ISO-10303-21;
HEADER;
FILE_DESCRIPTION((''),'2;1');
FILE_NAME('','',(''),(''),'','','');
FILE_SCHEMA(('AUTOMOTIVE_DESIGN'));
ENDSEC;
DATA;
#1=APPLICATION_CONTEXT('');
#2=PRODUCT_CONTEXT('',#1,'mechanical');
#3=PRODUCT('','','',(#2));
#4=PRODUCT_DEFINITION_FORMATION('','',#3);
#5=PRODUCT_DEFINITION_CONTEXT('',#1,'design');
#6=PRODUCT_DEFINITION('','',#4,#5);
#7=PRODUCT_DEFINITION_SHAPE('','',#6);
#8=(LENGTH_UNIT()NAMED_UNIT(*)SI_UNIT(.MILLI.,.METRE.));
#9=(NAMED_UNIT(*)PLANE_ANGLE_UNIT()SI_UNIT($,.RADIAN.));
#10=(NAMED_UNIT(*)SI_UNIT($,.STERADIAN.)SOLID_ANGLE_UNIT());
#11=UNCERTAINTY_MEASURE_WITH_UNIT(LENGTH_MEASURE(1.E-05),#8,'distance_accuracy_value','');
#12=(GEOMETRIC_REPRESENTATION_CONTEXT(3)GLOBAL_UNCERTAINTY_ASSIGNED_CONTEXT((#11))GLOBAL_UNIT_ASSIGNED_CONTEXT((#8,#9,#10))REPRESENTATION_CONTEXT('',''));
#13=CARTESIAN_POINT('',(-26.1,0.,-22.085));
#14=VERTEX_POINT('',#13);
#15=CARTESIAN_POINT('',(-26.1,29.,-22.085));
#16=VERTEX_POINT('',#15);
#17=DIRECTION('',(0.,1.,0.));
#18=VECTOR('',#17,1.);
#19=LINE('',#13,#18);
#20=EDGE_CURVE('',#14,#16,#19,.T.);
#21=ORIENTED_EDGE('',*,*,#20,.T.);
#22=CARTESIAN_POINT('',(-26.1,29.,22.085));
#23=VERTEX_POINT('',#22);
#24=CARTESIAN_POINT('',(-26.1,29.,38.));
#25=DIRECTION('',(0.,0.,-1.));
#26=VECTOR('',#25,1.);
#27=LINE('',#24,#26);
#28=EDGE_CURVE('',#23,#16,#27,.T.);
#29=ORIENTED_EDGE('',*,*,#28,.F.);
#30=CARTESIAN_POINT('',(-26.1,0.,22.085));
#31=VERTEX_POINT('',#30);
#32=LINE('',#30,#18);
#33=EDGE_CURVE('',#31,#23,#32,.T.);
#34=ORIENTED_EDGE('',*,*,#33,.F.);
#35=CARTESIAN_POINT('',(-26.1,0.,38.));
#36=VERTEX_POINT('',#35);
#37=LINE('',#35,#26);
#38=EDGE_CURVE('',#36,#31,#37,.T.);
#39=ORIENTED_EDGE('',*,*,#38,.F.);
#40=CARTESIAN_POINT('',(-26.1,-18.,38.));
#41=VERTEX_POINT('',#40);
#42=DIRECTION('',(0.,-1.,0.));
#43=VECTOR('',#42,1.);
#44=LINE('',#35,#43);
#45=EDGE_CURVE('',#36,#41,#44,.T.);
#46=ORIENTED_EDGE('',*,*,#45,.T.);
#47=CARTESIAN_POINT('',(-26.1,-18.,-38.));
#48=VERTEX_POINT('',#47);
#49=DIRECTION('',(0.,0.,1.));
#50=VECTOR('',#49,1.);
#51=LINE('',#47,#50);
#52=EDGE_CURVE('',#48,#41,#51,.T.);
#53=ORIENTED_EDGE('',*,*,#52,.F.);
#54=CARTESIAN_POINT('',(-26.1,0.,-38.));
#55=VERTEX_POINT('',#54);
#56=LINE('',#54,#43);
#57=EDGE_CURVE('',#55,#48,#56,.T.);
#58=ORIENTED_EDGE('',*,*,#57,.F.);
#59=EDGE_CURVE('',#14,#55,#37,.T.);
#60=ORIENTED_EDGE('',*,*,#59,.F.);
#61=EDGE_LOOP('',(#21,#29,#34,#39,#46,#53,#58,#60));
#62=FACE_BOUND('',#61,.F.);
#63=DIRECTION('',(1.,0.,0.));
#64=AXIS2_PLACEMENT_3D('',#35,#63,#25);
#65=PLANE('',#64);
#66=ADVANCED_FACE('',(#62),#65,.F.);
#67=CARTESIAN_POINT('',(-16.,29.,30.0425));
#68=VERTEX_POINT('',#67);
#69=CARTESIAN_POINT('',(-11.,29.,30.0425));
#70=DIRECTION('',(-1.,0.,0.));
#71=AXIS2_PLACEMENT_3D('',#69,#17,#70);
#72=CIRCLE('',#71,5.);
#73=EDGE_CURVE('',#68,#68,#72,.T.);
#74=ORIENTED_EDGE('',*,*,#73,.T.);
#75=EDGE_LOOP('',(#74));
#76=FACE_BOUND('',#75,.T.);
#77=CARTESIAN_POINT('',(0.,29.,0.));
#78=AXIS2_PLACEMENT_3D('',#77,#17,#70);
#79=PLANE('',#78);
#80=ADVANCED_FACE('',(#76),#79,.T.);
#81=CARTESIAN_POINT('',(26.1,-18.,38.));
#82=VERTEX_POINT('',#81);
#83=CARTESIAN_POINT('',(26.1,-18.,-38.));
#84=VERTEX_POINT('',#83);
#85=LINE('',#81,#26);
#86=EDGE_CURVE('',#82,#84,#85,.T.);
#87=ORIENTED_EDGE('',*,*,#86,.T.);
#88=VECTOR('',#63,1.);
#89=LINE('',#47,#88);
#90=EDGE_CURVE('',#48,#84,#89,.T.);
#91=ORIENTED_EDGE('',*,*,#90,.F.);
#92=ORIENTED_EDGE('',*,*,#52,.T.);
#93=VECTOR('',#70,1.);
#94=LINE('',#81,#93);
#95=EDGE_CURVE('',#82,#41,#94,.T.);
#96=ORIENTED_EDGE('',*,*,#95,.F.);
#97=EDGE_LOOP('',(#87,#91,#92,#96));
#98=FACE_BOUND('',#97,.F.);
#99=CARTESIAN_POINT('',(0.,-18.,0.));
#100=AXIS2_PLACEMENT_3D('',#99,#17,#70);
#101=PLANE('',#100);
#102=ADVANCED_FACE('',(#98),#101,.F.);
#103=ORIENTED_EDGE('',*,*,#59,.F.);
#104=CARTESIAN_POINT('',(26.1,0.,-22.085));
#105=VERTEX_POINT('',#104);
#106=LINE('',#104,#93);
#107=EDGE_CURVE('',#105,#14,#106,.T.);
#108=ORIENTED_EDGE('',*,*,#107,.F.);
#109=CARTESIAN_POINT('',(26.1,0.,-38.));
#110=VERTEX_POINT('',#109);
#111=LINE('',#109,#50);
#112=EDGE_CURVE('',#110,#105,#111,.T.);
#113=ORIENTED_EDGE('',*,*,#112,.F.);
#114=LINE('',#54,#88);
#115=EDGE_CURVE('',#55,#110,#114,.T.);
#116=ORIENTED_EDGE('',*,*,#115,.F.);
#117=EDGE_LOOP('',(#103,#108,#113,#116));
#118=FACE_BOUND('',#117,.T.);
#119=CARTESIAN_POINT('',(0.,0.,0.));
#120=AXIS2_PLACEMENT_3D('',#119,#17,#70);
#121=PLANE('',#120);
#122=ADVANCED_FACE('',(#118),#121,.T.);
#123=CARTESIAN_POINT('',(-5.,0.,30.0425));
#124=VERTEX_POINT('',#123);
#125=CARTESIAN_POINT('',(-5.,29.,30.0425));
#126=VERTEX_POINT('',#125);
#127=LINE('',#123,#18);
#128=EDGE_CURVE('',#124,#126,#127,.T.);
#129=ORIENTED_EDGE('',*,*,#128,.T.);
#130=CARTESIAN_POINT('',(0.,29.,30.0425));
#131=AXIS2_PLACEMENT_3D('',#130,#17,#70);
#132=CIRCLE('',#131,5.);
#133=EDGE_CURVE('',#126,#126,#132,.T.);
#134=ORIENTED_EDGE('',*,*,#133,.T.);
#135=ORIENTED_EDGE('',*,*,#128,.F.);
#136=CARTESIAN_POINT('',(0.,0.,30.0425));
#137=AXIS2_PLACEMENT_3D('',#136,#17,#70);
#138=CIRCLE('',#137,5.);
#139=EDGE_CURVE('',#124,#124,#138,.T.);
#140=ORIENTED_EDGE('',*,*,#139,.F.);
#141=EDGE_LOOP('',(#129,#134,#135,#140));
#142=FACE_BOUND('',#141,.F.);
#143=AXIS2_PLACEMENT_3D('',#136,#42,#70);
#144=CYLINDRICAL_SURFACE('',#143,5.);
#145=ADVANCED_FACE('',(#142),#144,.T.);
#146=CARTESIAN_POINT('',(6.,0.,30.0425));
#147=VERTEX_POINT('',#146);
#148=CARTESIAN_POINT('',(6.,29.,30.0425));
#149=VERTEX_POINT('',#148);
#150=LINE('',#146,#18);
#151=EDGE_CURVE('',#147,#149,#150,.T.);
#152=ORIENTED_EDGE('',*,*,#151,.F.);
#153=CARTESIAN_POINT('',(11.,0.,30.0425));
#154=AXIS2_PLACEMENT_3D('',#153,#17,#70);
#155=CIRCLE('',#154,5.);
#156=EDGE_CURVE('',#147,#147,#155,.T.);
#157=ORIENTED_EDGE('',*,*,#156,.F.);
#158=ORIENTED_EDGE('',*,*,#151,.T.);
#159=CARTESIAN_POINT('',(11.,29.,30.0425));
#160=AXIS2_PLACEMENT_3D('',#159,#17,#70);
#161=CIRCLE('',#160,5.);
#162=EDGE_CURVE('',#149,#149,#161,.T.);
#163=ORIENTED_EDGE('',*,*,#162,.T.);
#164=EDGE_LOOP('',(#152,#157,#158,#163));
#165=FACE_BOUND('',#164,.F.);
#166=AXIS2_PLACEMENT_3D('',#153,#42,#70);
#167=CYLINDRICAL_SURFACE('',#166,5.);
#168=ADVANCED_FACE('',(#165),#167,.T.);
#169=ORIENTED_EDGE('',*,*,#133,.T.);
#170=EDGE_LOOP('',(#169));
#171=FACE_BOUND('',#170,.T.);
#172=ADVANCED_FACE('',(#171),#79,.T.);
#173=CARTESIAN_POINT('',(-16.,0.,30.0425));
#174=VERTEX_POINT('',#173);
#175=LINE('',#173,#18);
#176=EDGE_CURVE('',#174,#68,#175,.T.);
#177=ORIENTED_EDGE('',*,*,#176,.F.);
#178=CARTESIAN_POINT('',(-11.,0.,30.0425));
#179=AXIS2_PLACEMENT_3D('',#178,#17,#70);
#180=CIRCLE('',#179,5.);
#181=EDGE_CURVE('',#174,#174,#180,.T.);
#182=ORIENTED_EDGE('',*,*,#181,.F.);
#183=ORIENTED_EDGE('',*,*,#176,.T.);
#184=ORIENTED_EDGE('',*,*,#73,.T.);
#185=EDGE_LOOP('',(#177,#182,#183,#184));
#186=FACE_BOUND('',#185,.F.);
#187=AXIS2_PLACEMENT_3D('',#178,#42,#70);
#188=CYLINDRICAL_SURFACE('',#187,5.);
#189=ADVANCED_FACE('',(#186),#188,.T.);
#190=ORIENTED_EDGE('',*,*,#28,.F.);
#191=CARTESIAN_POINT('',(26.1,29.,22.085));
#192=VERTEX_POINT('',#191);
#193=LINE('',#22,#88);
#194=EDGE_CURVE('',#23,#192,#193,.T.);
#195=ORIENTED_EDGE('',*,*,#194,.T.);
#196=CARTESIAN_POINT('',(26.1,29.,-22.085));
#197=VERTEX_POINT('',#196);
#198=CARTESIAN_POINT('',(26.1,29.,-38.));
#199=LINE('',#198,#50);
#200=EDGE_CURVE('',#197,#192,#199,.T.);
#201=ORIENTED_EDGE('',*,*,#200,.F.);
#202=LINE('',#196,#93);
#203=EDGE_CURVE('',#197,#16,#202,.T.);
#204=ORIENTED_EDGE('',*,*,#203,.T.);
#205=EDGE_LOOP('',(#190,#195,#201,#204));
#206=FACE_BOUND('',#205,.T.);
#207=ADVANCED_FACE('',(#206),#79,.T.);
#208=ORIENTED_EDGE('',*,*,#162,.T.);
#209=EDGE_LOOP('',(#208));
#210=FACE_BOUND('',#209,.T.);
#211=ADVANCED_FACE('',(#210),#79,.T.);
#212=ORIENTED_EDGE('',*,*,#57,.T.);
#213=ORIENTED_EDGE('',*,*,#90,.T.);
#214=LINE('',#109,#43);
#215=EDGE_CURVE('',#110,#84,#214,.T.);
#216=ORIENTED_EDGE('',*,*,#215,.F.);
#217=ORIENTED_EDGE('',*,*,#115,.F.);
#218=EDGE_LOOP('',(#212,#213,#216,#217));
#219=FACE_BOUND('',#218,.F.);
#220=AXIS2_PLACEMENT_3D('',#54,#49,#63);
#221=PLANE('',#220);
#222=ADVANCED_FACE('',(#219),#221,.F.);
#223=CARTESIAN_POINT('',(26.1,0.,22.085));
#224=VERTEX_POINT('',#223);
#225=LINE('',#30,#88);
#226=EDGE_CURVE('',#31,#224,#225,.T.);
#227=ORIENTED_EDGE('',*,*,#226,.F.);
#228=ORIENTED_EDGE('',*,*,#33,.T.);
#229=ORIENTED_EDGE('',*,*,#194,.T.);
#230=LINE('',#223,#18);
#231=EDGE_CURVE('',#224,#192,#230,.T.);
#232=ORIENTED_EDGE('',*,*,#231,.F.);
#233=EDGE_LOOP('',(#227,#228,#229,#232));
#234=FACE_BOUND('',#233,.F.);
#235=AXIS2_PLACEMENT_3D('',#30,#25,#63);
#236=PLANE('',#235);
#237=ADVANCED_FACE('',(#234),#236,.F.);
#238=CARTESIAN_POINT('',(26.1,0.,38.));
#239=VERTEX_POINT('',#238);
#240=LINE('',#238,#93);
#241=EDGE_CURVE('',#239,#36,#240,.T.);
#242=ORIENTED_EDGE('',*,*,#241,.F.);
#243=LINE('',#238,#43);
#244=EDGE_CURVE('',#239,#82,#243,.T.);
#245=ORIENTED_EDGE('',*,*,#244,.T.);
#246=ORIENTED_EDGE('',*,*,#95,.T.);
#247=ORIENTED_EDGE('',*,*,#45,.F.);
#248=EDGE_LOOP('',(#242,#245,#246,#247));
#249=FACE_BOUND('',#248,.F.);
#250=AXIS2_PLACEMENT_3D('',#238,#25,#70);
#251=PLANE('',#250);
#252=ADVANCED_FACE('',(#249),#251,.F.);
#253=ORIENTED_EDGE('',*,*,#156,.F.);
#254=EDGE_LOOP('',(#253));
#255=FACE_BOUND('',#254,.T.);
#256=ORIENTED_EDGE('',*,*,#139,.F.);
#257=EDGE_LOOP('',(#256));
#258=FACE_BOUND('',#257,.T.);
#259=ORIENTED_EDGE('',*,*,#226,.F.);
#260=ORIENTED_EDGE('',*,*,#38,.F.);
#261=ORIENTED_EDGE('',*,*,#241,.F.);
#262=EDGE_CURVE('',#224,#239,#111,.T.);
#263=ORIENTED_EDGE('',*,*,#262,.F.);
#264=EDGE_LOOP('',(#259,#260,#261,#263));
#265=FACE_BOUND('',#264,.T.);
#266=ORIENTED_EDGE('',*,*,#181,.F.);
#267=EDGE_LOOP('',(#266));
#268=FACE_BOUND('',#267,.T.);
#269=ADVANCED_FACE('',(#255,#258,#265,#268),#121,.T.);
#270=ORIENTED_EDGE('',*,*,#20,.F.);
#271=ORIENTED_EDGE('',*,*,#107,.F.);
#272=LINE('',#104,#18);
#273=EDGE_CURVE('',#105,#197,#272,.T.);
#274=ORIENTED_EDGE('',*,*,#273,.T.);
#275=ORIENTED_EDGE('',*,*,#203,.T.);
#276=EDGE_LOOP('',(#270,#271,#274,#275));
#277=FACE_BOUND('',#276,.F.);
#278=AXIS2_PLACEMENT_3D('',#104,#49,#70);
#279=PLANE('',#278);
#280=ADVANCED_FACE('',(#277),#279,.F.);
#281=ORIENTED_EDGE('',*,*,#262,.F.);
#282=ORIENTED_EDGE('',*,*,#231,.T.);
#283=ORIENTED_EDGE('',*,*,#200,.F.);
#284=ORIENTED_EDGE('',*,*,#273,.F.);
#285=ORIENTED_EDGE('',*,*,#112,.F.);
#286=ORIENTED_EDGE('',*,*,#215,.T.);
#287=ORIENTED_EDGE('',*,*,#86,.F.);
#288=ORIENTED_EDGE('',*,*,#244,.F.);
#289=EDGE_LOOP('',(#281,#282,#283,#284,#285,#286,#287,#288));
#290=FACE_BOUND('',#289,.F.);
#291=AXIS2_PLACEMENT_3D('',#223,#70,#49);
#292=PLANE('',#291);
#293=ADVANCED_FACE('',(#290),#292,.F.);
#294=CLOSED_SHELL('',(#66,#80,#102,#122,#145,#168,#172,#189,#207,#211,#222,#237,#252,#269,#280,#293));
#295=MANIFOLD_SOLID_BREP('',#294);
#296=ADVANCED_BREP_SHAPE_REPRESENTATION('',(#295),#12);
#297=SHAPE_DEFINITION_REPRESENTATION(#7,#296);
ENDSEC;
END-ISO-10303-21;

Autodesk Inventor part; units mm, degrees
ref_plane "YZ Plane" through (0, 0, 0) normal (1, 0, 0) x (0, 1, 0)
ref_plane "XZ Plane" through (0, 0, 0) normal (0, 1, 0) x (-1, 0, 0)
ref_plane "XY Plane" through (0, 0, 0) normal (0, 0, 1) x (1, 0, 0)
sketch "Sketch2" plane through (0, 0, 0) normal (0, 1, 0) x (-1, 0, 0)
  line L0 (-26.1, 38) -> (26.1, 38)
  line L1 (26.1, 38) -> (26.1, -38)
  line L2 (26.1, -38) -> (-26.1, -38)
  line L3 (-26.1, -38) -> (-26.1, 38)
  line L4 (-26.1, 38) -> (26.1, -38) construction
  line L5 (26.1, 38) -> (-26.1, -38) construction
  line L6 (26.1, 22.085) -> (-26.1, 22.085)
  line L7 (-26.1, 22.085) -> (-26.1, -22.085)
  line L8 (-26.1, -22.085) -> (26.1, -22.085)
  line L9 (26.1, -22.085) -> (26.1, 22.085)
  line L10 (26.1, 22.085) -> (-26.1, -22.085) construction
  line L11 (-26.1, 22.085) -> (26.1, -22.085) construction
  line L12 (26.1, 38) -> (-26.1, 22.085) construction
  circle A0 centre (0, 30.0425) radius 5
  circle A1 centre (11, 30.0425) radius 5
  circle A2 centre (-11, 30.0425) radius 5
  point P0 (0, 0)
  dimension "d0" = 52.2
  dimension "d1" = 76
  dimension "d2" = 44.17
  dimension "OutCableDia" = 10
  dimension "d9" = 10
  dimension "d10" = 10
  dimension "d11" = 11
  dimension "d12" = 11
extrude "Extrusion1" add sketch "Sketch2" against normal blind 18 contours L0 L1 L6 L3 | L6 L1 L8 L3 | L8 L1 L2 L3 | A0 | A1 | A2
extrude "Extrusion2" add sketch "Sketch2" along normal blind 29 contours L6 L1 L8 L3
extrude "Extrusion3" add sketch "Sketch2" along normal blind 29 contours A0 | A1 | A2
equation "\"d9\" = OutCableDia"
equation "\"d10\" = OutCableDia"
equation "\"d12\" = d11"
properties part number "HobbyWing EZRUN 150A Pro 2"
